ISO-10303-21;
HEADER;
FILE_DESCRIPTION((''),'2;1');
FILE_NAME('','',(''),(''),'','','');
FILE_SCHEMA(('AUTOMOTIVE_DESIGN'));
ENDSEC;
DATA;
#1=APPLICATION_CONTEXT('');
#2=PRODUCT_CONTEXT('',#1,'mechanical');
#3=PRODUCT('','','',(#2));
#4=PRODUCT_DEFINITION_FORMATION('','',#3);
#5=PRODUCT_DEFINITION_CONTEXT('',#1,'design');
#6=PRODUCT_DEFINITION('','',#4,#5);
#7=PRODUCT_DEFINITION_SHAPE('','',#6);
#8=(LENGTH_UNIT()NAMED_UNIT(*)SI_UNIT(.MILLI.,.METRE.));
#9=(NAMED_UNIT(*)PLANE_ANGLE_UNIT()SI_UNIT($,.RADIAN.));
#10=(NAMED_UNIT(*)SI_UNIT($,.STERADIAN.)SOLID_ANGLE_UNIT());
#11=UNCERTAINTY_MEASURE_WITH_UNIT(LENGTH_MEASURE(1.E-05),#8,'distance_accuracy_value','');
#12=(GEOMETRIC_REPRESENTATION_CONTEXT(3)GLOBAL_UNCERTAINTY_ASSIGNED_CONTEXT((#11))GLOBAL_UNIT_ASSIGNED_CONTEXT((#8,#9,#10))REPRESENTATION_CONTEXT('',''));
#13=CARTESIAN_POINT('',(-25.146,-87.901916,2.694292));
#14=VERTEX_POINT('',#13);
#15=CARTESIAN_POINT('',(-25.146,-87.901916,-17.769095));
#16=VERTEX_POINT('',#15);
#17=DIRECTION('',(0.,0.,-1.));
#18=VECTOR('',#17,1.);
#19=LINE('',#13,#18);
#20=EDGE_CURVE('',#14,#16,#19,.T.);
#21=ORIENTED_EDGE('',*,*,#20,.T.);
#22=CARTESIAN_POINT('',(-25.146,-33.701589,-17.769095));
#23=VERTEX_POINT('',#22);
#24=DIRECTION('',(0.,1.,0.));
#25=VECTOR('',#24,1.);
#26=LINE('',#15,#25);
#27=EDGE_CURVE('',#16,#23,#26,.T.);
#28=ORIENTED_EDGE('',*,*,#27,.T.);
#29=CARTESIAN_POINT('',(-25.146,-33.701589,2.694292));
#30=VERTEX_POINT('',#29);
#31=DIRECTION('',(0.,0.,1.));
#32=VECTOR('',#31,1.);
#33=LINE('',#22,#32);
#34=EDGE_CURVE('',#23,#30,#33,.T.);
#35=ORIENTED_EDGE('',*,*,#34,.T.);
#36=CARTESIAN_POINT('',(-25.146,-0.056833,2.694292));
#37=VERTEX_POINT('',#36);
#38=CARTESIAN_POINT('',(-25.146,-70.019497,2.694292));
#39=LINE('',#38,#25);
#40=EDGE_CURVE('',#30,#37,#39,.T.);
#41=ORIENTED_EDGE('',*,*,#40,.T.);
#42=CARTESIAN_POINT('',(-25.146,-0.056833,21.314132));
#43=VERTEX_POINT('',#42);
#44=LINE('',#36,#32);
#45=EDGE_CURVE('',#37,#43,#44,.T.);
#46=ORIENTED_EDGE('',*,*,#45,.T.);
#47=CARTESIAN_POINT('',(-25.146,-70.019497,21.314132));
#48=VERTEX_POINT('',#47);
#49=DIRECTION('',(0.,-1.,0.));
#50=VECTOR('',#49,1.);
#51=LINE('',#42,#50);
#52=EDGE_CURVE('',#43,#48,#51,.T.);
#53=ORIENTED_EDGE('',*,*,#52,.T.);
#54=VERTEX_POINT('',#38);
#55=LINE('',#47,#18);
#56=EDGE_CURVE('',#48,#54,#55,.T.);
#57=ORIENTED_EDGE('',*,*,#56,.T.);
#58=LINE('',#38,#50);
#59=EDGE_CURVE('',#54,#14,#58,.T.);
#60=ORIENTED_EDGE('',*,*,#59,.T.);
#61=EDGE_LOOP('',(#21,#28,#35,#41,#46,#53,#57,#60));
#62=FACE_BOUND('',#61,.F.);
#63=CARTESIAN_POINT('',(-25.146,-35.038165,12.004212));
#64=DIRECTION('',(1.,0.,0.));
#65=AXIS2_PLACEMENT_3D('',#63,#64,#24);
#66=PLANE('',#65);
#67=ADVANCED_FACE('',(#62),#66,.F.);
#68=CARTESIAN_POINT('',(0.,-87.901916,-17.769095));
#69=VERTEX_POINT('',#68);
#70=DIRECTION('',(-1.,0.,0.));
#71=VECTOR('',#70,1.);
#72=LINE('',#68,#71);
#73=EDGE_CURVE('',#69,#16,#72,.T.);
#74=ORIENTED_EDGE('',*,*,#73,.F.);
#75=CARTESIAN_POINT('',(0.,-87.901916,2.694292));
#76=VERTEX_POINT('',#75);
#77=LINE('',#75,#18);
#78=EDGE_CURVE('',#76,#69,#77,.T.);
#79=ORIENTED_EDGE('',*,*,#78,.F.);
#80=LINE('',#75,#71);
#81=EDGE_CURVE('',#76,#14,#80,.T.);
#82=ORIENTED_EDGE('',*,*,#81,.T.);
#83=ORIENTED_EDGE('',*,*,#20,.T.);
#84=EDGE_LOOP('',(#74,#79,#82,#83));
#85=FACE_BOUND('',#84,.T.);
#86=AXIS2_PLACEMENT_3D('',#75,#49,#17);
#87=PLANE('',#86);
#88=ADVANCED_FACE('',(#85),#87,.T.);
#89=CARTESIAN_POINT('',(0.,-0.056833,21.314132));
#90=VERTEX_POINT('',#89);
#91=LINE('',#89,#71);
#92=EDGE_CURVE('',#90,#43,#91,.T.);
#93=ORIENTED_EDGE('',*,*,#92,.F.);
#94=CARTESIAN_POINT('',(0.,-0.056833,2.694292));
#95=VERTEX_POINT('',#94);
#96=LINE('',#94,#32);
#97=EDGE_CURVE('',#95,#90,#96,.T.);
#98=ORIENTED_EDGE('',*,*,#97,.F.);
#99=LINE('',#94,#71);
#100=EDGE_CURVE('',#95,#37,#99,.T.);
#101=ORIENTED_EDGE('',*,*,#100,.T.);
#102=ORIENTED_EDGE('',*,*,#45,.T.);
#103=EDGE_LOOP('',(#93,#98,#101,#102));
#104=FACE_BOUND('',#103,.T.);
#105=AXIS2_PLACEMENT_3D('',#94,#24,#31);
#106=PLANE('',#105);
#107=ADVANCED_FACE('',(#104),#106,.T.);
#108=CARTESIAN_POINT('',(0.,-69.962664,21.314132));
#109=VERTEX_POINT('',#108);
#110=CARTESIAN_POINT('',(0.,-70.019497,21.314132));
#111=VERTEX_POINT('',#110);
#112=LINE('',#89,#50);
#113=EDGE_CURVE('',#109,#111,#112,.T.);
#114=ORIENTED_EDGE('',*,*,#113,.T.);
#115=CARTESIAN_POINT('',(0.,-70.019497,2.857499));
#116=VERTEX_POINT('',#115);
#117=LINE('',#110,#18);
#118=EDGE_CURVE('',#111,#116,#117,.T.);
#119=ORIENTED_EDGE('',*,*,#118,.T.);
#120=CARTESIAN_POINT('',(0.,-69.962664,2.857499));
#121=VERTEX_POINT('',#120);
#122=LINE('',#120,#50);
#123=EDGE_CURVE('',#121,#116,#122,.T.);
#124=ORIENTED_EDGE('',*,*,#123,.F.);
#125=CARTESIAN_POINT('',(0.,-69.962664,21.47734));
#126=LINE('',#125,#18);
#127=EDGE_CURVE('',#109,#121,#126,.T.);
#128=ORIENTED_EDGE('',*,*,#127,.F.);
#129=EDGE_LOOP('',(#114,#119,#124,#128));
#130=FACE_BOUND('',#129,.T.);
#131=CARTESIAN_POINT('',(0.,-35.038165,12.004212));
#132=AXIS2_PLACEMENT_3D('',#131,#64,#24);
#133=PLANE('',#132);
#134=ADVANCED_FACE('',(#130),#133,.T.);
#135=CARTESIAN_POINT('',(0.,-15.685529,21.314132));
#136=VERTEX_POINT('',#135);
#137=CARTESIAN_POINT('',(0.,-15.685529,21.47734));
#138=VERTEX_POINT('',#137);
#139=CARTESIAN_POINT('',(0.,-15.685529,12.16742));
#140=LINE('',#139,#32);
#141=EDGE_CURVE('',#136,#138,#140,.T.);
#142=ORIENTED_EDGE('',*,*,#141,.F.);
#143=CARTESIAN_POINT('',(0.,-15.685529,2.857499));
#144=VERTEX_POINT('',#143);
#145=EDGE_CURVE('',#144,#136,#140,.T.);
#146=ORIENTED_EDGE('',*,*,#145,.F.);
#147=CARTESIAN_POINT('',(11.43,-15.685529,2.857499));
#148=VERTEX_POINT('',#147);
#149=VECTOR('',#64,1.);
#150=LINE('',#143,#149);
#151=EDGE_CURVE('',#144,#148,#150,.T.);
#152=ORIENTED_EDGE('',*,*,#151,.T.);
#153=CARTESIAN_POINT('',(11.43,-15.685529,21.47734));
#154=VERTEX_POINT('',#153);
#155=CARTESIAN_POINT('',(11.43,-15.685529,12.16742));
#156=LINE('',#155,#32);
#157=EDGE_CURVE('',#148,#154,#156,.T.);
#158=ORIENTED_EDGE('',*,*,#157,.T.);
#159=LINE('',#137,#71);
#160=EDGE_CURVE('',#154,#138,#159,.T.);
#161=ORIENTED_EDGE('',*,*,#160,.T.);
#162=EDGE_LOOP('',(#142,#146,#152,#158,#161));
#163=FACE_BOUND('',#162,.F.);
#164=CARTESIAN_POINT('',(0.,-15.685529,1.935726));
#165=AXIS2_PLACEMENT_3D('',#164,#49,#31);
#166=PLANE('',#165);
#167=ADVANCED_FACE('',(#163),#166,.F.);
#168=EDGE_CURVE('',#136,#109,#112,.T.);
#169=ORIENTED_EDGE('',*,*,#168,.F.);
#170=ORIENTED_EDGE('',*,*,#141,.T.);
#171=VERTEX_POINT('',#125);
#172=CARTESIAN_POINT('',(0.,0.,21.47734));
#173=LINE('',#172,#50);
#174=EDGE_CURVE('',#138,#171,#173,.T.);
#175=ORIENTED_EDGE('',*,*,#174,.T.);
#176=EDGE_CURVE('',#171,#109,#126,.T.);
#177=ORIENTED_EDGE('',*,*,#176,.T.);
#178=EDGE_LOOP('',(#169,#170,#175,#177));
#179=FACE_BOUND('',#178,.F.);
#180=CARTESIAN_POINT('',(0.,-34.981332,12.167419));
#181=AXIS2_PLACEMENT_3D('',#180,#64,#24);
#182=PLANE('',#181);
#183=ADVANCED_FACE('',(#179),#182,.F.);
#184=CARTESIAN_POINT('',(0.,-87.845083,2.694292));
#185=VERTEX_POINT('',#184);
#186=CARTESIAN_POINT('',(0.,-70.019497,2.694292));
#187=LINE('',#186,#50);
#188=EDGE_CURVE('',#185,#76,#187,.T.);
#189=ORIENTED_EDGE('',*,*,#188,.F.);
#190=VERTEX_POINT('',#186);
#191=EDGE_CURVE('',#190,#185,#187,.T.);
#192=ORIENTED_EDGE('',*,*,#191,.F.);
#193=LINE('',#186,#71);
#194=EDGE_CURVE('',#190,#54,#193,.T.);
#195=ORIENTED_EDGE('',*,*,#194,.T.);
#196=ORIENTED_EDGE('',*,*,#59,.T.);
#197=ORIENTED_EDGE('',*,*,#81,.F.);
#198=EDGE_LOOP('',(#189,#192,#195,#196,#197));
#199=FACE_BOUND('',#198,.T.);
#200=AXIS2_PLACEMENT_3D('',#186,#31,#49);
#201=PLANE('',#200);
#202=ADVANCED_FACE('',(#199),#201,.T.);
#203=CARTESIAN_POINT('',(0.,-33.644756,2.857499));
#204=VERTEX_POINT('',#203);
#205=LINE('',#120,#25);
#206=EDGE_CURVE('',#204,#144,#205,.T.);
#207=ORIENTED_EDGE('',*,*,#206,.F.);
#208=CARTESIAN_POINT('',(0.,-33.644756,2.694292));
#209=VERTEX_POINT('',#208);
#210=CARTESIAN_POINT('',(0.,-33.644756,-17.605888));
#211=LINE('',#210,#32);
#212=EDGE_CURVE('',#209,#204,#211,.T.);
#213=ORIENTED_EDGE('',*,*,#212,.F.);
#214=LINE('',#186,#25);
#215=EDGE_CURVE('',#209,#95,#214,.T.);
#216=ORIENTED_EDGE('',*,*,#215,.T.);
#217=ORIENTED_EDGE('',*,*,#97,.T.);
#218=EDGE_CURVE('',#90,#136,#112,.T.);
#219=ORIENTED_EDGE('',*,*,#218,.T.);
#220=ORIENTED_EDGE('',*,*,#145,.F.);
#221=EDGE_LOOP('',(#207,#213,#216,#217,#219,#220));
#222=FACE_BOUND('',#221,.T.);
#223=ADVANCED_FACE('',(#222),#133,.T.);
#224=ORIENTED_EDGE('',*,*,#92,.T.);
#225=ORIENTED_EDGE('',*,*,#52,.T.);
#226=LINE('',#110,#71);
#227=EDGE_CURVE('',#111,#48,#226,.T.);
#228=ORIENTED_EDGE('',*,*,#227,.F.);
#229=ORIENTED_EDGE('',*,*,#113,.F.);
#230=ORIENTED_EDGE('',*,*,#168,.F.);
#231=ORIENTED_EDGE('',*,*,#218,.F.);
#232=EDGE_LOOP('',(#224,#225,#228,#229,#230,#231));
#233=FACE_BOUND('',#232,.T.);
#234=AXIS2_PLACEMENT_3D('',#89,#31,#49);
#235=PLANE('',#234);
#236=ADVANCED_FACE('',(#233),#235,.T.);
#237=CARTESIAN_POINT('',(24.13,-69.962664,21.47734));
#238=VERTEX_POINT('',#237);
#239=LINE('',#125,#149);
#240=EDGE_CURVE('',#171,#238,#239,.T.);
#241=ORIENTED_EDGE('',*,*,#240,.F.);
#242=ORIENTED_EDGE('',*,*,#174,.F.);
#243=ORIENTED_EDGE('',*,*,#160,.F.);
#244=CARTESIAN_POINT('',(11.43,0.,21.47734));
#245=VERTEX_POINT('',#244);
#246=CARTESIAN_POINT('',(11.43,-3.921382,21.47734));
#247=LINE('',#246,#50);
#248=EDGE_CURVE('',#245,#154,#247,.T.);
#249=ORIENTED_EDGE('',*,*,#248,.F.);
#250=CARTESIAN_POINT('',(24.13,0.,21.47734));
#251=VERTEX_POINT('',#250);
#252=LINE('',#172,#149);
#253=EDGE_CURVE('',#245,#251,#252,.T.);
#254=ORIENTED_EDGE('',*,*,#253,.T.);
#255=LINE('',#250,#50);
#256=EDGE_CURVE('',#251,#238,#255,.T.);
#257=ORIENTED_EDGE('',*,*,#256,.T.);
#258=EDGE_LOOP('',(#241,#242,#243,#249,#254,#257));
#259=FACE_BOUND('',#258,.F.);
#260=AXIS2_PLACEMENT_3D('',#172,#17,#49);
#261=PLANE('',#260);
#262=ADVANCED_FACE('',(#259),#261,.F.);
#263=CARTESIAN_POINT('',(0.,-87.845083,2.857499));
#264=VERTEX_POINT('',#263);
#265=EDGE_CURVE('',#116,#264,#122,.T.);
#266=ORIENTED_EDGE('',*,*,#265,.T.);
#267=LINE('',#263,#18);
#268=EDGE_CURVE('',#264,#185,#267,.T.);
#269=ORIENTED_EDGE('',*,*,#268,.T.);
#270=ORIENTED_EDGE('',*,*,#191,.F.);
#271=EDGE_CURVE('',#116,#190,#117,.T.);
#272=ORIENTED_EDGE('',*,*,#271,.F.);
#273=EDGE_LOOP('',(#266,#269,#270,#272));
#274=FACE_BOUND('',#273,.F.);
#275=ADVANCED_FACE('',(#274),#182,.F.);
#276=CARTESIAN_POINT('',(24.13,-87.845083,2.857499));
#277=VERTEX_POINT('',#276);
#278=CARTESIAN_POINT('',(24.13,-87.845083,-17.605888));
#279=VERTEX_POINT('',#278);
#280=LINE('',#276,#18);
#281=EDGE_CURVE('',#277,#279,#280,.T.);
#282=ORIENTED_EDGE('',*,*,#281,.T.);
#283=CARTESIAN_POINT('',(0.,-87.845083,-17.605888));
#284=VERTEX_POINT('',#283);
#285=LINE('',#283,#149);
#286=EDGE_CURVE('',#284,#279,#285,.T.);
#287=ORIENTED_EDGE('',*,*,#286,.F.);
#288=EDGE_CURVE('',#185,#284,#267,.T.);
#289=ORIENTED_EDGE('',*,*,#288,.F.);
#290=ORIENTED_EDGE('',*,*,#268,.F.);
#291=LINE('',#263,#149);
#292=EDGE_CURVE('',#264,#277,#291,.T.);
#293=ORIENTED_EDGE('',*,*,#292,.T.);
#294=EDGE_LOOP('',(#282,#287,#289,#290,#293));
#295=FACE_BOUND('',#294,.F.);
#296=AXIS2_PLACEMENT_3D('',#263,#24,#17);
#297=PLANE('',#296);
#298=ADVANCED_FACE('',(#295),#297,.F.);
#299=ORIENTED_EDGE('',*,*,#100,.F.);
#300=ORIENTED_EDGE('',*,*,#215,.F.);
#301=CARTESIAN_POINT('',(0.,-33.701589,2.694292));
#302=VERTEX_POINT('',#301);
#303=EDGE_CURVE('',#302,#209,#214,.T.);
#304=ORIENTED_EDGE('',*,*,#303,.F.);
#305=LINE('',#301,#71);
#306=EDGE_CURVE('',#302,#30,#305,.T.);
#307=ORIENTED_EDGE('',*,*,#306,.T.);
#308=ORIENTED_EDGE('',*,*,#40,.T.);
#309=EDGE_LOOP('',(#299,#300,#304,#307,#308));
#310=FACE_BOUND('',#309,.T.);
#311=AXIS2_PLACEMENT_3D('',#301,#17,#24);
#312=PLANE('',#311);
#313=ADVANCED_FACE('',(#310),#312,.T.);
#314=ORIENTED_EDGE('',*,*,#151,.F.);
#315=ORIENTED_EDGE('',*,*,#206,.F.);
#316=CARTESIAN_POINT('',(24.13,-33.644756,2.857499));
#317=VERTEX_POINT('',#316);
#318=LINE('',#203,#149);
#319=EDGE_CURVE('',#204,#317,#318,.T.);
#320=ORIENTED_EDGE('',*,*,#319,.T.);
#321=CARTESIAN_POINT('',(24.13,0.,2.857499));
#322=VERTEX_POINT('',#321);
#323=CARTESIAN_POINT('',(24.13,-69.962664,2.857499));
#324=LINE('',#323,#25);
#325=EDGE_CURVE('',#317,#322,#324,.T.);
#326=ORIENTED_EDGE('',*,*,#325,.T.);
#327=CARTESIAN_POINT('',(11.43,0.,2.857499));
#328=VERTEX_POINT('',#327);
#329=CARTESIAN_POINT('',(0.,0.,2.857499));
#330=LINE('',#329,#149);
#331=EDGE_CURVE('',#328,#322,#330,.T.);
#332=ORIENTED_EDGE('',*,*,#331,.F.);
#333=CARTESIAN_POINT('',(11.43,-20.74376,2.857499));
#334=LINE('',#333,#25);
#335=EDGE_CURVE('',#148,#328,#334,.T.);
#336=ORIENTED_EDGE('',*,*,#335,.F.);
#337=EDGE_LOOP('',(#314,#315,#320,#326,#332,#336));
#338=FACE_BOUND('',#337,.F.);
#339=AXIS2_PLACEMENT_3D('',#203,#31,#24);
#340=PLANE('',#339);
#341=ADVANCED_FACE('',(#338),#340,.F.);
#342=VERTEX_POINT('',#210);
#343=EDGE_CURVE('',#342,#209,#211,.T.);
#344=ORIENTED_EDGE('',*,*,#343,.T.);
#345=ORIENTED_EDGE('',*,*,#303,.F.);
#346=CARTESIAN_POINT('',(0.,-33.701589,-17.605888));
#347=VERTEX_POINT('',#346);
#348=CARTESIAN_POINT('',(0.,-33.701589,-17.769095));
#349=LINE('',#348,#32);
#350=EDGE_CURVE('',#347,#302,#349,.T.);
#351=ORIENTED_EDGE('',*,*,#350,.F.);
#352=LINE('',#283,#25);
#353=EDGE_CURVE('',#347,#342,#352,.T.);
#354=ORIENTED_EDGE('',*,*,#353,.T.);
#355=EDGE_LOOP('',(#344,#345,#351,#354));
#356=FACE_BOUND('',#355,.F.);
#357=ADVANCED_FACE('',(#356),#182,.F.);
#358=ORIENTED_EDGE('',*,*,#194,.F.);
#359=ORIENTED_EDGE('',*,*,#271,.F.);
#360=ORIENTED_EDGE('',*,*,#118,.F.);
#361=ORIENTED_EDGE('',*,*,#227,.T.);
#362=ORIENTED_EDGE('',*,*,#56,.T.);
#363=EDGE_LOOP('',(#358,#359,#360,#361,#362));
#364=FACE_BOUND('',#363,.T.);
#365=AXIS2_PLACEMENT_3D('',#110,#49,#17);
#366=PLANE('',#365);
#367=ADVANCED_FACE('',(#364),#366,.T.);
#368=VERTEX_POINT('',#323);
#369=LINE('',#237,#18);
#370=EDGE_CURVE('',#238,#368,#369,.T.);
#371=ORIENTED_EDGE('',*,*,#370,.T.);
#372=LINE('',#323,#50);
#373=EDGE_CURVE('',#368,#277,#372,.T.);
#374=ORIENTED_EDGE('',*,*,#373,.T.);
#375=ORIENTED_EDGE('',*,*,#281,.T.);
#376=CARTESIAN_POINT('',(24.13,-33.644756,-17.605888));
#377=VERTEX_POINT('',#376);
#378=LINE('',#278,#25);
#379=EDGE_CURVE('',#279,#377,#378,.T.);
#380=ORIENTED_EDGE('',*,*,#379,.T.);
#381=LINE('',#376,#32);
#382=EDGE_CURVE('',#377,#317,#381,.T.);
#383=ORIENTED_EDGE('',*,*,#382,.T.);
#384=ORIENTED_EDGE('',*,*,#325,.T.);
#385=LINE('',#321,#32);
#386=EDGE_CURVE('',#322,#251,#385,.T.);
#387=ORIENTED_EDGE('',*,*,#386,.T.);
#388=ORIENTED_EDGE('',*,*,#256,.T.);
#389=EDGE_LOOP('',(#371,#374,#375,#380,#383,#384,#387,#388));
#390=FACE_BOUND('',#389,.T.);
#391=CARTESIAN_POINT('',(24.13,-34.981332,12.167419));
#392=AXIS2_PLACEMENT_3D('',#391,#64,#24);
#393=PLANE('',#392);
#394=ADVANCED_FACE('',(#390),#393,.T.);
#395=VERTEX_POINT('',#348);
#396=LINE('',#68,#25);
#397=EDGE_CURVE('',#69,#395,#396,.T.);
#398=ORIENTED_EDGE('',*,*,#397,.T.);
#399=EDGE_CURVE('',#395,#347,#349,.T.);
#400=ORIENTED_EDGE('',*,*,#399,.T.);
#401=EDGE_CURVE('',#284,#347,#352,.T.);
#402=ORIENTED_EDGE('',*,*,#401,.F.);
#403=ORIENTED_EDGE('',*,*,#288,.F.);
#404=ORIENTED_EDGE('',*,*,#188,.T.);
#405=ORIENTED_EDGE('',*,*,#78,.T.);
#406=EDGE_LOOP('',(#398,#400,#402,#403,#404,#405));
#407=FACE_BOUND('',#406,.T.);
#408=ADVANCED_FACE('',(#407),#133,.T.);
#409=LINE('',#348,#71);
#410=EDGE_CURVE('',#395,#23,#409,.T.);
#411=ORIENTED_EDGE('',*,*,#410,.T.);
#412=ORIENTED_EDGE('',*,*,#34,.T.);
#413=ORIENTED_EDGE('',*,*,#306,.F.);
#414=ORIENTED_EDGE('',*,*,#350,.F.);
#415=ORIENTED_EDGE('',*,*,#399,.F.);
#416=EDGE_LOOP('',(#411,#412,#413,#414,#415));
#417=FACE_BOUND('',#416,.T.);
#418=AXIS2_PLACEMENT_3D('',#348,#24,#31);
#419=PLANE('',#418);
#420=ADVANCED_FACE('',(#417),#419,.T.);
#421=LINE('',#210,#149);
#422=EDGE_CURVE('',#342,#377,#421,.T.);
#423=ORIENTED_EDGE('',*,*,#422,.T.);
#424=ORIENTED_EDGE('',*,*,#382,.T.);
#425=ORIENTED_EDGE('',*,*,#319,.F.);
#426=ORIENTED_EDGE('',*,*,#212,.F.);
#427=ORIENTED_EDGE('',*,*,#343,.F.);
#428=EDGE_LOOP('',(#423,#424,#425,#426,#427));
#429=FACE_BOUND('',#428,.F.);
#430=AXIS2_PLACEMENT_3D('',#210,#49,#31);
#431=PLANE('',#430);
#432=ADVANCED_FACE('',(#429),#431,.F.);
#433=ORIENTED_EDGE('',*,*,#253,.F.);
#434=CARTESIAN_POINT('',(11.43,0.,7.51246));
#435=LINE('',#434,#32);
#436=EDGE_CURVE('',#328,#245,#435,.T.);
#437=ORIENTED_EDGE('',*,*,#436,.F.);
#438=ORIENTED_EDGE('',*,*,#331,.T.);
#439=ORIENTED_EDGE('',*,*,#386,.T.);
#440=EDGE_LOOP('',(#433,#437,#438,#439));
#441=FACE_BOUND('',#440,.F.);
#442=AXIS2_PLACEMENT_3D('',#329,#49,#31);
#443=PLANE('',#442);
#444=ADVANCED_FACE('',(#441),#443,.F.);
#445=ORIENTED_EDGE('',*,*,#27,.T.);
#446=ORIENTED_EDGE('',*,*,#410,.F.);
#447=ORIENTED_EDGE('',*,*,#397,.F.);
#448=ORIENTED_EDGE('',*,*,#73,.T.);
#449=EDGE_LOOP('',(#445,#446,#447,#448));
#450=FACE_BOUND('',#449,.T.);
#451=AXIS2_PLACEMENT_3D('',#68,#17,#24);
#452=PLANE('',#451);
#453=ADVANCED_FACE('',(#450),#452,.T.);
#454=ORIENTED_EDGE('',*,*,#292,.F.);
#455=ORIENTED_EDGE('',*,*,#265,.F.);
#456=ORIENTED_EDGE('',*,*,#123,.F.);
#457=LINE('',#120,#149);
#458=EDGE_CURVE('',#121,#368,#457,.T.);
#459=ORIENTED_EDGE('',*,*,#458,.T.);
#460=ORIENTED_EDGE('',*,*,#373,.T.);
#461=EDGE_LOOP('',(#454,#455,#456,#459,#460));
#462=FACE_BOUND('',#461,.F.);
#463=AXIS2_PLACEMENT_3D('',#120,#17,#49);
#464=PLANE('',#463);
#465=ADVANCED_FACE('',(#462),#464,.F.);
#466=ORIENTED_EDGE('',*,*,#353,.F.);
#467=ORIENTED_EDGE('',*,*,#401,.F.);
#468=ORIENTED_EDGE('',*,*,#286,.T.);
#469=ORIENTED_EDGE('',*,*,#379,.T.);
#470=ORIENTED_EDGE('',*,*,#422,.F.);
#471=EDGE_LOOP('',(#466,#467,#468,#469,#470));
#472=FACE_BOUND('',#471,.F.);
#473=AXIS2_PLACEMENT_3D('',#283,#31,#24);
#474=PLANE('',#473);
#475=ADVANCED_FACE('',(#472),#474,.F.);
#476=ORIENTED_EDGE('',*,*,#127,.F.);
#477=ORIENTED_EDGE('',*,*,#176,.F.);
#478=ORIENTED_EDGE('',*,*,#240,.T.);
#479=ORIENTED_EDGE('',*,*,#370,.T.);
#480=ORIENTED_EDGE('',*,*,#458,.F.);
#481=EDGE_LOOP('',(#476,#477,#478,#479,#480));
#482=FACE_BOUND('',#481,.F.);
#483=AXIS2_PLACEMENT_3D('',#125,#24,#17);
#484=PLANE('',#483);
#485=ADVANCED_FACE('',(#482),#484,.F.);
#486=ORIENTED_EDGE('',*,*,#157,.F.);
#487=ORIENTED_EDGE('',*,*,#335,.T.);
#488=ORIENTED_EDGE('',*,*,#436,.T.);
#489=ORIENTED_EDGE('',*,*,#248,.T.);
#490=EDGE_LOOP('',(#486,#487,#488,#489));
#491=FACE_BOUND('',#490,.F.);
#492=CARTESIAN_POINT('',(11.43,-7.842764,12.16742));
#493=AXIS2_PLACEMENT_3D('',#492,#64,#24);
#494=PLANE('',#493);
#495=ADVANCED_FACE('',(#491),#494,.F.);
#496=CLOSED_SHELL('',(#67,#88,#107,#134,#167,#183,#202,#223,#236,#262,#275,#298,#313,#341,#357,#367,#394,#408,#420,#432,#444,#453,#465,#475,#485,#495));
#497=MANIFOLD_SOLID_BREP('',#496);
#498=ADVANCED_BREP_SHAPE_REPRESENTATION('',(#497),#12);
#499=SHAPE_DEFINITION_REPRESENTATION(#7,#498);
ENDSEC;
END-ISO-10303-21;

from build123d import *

# Parameters (mm, degrees)
F1_DEPTH = 24.13
F2_W     = 15.685529
F2_H     = 20.463388
F3_DEPTH = 11.43
F5_DEPTH = 25.146


with BuildPart() as f1:
    # F0 (on Right) → F1 (new body)
    with BuildSketch(Plane.YZ):
        Polygon((0, 21.47734), (-69.962664, 21.47734), (-69.962664, 2.857499), (-33.644756, 2.857499), (0, 2.857499), align=None)
        Polygon((-33.644756, 2.857499), (-69.962664, 2.857499), (-87.845083, 2.857499), (-87.845083, -17.605888), (-33.644756, -17.605888), align=None)
    extrude(amount=F1_DEPTH)

    # F2 (on Right) → F3 (cut)
    with BuildSketch(Plane.YZ):
        with Locations((-7.842764, 12.16742)):
            Rectangle(F2_W, F2_H)
    extrude(amount=F3_DEPTH, mode=Mode.SUBTRACT)

    # F4 (on Right) → F5 (join)
    with BuildSketch(Plane.YZ):
        Polygon((-0.056833, 21.314132), (-70.019497, 21.314132), (-70.019497, 2.694292), (-33.701589, 2.694292), (-0.056833, 2.694292), align=None)
        Polygon((-33.701589, 2.694292), (-70.019497, 2.694292), (-87.901916, 2.694292), (-87.901916, -17.769095), (-33.701589, -17.769095), align=None)
    extrude(amount=-F5_DEPTH)


solid = f1.part
